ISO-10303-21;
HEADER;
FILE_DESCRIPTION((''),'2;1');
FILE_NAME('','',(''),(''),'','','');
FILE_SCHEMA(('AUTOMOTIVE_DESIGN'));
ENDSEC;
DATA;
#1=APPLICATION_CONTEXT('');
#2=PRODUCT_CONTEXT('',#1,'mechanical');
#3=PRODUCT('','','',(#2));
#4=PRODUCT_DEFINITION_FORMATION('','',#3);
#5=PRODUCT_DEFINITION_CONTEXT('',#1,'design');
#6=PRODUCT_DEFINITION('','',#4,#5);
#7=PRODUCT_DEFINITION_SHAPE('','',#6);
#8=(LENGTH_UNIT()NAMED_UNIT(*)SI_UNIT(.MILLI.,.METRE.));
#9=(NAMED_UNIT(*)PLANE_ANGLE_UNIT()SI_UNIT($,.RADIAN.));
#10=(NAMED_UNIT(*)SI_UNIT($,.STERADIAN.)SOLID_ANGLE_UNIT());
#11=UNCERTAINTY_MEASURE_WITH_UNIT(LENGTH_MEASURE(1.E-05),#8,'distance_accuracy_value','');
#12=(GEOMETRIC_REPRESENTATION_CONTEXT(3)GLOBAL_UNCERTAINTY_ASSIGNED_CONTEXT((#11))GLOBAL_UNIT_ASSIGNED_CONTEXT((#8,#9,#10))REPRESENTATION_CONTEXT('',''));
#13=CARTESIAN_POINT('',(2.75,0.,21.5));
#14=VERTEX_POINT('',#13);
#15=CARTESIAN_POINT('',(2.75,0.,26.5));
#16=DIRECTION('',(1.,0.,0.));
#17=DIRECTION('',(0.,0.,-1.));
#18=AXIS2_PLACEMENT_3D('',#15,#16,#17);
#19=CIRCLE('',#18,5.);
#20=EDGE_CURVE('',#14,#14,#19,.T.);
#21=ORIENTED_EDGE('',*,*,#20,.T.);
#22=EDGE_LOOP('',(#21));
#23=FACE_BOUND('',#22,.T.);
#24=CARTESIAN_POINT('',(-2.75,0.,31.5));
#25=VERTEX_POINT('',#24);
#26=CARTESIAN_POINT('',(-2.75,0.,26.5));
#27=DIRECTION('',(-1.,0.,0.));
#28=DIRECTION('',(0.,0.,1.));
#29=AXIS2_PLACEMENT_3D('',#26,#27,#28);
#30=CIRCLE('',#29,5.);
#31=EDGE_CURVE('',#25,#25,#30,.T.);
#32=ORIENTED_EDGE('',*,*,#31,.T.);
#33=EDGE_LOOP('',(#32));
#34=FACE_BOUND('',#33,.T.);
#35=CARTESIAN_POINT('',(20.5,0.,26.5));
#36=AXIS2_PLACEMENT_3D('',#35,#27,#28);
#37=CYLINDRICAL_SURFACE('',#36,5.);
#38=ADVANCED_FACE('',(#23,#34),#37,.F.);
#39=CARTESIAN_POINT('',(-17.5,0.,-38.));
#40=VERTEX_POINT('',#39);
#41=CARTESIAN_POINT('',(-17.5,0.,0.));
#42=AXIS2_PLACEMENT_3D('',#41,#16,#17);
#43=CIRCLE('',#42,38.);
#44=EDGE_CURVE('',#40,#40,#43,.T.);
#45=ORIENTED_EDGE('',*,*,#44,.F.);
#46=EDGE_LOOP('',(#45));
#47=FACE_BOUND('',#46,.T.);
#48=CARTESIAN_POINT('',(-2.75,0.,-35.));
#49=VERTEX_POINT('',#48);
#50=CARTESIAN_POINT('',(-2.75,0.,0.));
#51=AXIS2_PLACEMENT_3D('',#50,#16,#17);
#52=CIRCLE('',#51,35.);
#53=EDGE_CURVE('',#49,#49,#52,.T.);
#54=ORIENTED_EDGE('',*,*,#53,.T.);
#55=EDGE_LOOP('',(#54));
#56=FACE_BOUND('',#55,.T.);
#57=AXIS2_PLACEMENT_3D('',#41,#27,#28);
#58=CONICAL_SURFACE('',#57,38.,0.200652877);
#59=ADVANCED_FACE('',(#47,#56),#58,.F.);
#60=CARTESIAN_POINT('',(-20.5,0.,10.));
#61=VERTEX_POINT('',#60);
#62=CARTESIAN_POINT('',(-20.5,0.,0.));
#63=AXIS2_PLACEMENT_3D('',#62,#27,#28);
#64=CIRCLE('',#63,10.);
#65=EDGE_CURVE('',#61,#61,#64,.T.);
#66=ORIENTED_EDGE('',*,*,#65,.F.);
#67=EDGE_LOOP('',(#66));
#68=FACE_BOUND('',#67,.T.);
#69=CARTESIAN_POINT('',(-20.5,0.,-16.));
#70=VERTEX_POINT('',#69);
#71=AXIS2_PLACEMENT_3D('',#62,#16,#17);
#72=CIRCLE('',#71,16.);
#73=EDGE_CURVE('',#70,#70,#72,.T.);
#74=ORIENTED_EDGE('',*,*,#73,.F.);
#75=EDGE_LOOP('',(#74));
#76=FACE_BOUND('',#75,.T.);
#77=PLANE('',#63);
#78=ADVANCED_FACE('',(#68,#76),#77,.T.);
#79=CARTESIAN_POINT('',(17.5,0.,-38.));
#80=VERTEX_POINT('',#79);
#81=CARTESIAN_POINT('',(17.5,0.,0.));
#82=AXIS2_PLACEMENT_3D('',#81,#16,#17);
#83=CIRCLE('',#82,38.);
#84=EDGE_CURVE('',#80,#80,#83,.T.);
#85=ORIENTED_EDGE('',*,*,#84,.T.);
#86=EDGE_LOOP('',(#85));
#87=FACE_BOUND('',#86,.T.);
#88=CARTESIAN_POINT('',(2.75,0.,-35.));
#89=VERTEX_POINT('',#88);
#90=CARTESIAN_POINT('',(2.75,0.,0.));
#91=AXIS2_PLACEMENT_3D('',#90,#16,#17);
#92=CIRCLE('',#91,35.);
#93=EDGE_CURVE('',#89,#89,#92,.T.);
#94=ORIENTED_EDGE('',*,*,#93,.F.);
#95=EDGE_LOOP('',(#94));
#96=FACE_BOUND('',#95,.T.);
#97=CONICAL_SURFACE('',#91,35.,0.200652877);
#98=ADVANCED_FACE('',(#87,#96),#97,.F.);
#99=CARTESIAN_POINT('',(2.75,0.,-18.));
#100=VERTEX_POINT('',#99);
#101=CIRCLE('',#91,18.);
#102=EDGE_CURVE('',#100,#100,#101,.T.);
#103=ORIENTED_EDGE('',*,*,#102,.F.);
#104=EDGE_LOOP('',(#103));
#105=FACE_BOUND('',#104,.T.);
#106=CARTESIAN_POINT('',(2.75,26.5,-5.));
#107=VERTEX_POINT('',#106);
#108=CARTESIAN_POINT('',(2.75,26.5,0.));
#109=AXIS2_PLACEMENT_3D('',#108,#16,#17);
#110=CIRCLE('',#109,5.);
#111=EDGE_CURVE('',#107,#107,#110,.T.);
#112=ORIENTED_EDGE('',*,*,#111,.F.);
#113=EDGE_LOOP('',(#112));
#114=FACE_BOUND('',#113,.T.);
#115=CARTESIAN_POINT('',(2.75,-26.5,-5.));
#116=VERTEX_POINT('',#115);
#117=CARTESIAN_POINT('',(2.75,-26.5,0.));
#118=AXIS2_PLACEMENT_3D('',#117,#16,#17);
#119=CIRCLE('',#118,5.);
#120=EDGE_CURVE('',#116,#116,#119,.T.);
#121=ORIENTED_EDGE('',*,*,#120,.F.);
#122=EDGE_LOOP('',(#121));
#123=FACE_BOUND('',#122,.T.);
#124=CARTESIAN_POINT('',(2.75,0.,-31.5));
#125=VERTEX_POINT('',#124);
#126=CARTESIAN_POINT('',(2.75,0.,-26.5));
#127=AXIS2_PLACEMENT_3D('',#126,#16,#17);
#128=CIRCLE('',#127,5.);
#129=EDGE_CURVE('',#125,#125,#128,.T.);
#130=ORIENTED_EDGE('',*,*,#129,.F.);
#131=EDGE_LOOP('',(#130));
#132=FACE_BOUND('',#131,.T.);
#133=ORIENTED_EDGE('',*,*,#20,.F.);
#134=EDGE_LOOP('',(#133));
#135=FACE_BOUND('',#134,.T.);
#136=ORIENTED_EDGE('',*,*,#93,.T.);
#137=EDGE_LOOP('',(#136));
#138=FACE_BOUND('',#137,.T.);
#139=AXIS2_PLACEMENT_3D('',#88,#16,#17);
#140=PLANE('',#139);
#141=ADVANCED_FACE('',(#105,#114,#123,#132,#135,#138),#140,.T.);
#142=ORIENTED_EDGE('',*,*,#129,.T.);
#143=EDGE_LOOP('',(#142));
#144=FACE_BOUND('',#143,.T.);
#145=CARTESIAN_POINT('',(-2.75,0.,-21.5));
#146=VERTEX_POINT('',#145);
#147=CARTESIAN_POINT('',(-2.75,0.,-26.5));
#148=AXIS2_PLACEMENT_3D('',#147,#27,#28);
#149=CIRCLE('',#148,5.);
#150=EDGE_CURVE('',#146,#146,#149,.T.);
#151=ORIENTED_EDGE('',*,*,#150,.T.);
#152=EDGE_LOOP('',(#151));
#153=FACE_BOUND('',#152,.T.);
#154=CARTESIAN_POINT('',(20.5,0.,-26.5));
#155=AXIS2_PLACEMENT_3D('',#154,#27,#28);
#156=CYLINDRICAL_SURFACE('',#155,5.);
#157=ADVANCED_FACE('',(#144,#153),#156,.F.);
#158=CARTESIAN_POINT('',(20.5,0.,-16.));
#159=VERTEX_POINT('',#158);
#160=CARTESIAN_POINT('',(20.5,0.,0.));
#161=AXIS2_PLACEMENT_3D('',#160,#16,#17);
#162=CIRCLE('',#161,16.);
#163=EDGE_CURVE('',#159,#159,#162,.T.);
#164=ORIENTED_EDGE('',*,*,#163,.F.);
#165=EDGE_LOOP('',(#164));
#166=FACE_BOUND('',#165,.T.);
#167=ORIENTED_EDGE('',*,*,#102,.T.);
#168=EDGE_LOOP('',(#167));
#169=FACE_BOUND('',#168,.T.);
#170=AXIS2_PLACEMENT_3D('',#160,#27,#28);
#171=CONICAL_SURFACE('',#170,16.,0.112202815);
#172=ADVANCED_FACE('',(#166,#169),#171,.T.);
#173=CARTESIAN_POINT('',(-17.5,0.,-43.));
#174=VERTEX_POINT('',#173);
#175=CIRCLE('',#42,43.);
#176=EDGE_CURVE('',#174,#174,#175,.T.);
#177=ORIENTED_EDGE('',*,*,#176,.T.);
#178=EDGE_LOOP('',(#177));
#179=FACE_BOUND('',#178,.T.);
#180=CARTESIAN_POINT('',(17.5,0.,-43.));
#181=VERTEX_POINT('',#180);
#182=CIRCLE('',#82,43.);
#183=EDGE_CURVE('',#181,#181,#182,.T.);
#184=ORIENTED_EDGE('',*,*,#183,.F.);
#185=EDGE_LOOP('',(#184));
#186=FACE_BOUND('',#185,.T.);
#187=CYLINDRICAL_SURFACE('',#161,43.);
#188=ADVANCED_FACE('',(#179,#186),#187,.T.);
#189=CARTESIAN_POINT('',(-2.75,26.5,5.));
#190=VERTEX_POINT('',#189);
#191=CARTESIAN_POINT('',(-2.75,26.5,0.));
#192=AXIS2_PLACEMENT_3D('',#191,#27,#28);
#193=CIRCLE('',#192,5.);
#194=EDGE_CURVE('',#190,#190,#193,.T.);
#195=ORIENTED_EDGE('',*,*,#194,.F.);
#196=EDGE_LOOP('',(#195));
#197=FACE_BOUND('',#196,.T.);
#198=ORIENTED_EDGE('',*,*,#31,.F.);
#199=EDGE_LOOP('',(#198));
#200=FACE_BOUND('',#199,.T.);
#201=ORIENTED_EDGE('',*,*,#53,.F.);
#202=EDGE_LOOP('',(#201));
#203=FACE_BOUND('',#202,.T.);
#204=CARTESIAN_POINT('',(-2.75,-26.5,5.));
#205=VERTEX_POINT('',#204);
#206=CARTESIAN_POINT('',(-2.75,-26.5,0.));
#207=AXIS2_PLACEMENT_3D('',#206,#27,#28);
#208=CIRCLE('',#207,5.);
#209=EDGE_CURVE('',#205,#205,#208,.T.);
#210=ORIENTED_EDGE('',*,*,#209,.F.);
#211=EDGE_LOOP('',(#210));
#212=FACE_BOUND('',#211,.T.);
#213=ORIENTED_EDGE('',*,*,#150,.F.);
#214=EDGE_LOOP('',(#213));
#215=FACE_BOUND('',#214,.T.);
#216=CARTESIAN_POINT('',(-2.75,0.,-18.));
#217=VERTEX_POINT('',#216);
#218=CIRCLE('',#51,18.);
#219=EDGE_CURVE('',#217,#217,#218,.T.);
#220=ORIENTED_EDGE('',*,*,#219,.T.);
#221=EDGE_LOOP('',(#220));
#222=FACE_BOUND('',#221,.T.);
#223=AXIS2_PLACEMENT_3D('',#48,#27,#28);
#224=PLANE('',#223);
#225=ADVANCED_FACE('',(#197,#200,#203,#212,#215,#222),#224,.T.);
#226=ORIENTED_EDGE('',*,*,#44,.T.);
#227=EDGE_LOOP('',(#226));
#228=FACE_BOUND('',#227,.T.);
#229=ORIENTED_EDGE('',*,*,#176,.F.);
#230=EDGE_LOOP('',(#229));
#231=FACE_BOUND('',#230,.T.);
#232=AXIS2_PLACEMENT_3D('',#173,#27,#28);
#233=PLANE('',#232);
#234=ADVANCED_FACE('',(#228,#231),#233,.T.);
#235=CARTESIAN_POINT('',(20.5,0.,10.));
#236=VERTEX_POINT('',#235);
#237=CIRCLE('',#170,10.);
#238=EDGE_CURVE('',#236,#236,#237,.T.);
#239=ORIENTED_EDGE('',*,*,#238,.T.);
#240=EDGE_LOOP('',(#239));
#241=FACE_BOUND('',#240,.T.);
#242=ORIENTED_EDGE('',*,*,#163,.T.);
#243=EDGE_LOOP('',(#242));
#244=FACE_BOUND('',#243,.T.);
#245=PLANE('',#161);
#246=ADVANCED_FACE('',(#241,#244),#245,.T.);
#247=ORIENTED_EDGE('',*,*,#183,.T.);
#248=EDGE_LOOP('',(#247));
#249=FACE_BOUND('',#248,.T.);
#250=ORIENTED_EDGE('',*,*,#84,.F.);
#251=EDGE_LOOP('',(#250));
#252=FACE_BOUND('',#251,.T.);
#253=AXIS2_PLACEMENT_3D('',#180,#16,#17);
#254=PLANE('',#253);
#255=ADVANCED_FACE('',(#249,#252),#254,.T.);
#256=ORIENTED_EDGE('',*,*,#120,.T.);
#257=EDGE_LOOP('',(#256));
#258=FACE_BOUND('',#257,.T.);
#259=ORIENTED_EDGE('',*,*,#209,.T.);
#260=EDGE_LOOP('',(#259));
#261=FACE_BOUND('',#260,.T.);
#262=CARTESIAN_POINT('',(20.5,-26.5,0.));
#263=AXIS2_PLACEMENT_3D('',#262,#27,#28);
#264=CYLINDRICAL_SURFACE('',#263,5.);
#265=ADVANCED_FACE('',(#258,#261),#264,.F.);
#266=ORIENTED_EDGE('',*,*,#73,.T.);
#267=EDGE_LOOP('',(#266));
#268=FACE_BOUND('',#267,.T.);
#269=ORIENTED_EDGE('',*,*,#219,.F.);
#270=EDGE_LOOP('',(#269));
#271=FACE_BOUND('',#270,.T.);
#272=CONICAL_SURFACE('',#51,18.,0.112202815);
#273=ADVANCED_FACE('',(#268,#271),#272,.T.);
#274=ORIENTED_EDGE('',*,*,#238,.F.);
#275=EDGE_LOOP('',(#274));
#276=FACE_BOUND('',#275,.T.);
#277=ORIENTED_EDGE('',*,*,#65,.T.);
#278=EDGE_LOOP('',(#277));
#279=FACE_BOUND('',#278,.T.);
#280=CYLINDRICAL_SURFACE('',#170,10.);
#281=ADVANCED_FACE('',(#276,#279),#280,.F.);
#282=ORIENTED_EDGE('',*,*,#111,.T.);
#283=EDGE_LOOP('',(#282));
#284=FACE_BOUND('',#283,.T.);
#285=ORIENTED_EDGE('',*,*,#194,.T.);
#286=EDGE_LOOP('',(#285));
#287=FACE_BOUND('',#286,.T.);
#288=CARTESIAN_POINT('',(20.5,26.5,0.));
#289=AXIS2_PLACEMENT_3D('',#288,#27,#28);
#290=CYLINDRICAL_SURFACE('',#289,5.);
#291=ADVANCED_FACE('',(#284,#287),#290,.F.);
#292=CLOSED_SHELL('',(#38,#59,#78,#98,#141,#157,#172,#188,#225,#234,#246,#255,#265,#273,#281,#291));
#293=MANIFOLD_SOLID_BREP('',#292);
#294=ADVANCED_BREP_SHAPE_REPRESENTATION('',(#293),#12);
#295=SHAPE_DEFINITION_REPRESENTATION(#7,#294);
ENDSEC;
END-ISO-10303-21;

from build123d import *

# Parameters (mm, degrees)
CUT_EXTRUDE1_DEPTH      = 74.341666193
CUT_EXTRUDE1_DEPTH_BACK = 74.341666193
SKETCH4_R               = 5
CUT_EXTRUDE2_DEPTH      = 74.341666193
CUT_EXTRUDE2_DEPTH_BACK = 74.341666193
SKETCH5_R               = 10


with BuildPart() as part:
    # Sketch1 → Revolve1 (revolve)
    with BuildSketch(Plane(origin=(0, 0, 0), x_dir=(1, 0, 0), z_dir=(0, 1, 0))):
        Polygon((20.5, 0), (-20.5, 0), (-20.5, 16), (-2.75, 18), (-2.75, 35), (-17.5, 38), (-17.5, 43), (17.5, 43), (17.5, 38), (2.75, 35), (2.75, 18), (20.5, 16), align=None)
    revolve(axis=Axis((20.5, 0, 0), (-1, 0, 0)))

    # Sketch4 → Cut-Extrude1 (cut, two sides: drawn at the far end of the back side and taken through both)
    with BuildSketch(Plane.ZY.offset(20.5).offset(-CUT_EXTRUDE1_DEPTH_BACK)):
        with Locations((0, 26.5)):
            Circle(SKETCH4_R)
        with Locations((26.5, 0)):
            Circle(SKETCH4_R)
        with Locations((0, -26.5)):
            Circle(SKETCH4_R)
        with Locations((-26.5, 0)):
            Circle(SKETCH4_R)
    extrude(amount=CUT_EXTRUDE1_DEPTH + CUT_EXTRUDE1_DEPTH_BACK, mode=Mode.SUBTRACT)

    # Sketch5 → Cut-Extrude2 (cut, two sides: drawn at the far end of the back side and taken through both)
    with BuildSketch(Plane.ZY.offset(20.5).offset(-CUT_EXTRUDE2_DEPTH_BACK)):
        Circle(SKETCH5_R)
    extrude(amount=CUT_EXTRUDE2_DEPTH + CUT_EXTRUDE2_DEPTH_BACK, mode=Mode.SUBTRACT)


solid = part.part
